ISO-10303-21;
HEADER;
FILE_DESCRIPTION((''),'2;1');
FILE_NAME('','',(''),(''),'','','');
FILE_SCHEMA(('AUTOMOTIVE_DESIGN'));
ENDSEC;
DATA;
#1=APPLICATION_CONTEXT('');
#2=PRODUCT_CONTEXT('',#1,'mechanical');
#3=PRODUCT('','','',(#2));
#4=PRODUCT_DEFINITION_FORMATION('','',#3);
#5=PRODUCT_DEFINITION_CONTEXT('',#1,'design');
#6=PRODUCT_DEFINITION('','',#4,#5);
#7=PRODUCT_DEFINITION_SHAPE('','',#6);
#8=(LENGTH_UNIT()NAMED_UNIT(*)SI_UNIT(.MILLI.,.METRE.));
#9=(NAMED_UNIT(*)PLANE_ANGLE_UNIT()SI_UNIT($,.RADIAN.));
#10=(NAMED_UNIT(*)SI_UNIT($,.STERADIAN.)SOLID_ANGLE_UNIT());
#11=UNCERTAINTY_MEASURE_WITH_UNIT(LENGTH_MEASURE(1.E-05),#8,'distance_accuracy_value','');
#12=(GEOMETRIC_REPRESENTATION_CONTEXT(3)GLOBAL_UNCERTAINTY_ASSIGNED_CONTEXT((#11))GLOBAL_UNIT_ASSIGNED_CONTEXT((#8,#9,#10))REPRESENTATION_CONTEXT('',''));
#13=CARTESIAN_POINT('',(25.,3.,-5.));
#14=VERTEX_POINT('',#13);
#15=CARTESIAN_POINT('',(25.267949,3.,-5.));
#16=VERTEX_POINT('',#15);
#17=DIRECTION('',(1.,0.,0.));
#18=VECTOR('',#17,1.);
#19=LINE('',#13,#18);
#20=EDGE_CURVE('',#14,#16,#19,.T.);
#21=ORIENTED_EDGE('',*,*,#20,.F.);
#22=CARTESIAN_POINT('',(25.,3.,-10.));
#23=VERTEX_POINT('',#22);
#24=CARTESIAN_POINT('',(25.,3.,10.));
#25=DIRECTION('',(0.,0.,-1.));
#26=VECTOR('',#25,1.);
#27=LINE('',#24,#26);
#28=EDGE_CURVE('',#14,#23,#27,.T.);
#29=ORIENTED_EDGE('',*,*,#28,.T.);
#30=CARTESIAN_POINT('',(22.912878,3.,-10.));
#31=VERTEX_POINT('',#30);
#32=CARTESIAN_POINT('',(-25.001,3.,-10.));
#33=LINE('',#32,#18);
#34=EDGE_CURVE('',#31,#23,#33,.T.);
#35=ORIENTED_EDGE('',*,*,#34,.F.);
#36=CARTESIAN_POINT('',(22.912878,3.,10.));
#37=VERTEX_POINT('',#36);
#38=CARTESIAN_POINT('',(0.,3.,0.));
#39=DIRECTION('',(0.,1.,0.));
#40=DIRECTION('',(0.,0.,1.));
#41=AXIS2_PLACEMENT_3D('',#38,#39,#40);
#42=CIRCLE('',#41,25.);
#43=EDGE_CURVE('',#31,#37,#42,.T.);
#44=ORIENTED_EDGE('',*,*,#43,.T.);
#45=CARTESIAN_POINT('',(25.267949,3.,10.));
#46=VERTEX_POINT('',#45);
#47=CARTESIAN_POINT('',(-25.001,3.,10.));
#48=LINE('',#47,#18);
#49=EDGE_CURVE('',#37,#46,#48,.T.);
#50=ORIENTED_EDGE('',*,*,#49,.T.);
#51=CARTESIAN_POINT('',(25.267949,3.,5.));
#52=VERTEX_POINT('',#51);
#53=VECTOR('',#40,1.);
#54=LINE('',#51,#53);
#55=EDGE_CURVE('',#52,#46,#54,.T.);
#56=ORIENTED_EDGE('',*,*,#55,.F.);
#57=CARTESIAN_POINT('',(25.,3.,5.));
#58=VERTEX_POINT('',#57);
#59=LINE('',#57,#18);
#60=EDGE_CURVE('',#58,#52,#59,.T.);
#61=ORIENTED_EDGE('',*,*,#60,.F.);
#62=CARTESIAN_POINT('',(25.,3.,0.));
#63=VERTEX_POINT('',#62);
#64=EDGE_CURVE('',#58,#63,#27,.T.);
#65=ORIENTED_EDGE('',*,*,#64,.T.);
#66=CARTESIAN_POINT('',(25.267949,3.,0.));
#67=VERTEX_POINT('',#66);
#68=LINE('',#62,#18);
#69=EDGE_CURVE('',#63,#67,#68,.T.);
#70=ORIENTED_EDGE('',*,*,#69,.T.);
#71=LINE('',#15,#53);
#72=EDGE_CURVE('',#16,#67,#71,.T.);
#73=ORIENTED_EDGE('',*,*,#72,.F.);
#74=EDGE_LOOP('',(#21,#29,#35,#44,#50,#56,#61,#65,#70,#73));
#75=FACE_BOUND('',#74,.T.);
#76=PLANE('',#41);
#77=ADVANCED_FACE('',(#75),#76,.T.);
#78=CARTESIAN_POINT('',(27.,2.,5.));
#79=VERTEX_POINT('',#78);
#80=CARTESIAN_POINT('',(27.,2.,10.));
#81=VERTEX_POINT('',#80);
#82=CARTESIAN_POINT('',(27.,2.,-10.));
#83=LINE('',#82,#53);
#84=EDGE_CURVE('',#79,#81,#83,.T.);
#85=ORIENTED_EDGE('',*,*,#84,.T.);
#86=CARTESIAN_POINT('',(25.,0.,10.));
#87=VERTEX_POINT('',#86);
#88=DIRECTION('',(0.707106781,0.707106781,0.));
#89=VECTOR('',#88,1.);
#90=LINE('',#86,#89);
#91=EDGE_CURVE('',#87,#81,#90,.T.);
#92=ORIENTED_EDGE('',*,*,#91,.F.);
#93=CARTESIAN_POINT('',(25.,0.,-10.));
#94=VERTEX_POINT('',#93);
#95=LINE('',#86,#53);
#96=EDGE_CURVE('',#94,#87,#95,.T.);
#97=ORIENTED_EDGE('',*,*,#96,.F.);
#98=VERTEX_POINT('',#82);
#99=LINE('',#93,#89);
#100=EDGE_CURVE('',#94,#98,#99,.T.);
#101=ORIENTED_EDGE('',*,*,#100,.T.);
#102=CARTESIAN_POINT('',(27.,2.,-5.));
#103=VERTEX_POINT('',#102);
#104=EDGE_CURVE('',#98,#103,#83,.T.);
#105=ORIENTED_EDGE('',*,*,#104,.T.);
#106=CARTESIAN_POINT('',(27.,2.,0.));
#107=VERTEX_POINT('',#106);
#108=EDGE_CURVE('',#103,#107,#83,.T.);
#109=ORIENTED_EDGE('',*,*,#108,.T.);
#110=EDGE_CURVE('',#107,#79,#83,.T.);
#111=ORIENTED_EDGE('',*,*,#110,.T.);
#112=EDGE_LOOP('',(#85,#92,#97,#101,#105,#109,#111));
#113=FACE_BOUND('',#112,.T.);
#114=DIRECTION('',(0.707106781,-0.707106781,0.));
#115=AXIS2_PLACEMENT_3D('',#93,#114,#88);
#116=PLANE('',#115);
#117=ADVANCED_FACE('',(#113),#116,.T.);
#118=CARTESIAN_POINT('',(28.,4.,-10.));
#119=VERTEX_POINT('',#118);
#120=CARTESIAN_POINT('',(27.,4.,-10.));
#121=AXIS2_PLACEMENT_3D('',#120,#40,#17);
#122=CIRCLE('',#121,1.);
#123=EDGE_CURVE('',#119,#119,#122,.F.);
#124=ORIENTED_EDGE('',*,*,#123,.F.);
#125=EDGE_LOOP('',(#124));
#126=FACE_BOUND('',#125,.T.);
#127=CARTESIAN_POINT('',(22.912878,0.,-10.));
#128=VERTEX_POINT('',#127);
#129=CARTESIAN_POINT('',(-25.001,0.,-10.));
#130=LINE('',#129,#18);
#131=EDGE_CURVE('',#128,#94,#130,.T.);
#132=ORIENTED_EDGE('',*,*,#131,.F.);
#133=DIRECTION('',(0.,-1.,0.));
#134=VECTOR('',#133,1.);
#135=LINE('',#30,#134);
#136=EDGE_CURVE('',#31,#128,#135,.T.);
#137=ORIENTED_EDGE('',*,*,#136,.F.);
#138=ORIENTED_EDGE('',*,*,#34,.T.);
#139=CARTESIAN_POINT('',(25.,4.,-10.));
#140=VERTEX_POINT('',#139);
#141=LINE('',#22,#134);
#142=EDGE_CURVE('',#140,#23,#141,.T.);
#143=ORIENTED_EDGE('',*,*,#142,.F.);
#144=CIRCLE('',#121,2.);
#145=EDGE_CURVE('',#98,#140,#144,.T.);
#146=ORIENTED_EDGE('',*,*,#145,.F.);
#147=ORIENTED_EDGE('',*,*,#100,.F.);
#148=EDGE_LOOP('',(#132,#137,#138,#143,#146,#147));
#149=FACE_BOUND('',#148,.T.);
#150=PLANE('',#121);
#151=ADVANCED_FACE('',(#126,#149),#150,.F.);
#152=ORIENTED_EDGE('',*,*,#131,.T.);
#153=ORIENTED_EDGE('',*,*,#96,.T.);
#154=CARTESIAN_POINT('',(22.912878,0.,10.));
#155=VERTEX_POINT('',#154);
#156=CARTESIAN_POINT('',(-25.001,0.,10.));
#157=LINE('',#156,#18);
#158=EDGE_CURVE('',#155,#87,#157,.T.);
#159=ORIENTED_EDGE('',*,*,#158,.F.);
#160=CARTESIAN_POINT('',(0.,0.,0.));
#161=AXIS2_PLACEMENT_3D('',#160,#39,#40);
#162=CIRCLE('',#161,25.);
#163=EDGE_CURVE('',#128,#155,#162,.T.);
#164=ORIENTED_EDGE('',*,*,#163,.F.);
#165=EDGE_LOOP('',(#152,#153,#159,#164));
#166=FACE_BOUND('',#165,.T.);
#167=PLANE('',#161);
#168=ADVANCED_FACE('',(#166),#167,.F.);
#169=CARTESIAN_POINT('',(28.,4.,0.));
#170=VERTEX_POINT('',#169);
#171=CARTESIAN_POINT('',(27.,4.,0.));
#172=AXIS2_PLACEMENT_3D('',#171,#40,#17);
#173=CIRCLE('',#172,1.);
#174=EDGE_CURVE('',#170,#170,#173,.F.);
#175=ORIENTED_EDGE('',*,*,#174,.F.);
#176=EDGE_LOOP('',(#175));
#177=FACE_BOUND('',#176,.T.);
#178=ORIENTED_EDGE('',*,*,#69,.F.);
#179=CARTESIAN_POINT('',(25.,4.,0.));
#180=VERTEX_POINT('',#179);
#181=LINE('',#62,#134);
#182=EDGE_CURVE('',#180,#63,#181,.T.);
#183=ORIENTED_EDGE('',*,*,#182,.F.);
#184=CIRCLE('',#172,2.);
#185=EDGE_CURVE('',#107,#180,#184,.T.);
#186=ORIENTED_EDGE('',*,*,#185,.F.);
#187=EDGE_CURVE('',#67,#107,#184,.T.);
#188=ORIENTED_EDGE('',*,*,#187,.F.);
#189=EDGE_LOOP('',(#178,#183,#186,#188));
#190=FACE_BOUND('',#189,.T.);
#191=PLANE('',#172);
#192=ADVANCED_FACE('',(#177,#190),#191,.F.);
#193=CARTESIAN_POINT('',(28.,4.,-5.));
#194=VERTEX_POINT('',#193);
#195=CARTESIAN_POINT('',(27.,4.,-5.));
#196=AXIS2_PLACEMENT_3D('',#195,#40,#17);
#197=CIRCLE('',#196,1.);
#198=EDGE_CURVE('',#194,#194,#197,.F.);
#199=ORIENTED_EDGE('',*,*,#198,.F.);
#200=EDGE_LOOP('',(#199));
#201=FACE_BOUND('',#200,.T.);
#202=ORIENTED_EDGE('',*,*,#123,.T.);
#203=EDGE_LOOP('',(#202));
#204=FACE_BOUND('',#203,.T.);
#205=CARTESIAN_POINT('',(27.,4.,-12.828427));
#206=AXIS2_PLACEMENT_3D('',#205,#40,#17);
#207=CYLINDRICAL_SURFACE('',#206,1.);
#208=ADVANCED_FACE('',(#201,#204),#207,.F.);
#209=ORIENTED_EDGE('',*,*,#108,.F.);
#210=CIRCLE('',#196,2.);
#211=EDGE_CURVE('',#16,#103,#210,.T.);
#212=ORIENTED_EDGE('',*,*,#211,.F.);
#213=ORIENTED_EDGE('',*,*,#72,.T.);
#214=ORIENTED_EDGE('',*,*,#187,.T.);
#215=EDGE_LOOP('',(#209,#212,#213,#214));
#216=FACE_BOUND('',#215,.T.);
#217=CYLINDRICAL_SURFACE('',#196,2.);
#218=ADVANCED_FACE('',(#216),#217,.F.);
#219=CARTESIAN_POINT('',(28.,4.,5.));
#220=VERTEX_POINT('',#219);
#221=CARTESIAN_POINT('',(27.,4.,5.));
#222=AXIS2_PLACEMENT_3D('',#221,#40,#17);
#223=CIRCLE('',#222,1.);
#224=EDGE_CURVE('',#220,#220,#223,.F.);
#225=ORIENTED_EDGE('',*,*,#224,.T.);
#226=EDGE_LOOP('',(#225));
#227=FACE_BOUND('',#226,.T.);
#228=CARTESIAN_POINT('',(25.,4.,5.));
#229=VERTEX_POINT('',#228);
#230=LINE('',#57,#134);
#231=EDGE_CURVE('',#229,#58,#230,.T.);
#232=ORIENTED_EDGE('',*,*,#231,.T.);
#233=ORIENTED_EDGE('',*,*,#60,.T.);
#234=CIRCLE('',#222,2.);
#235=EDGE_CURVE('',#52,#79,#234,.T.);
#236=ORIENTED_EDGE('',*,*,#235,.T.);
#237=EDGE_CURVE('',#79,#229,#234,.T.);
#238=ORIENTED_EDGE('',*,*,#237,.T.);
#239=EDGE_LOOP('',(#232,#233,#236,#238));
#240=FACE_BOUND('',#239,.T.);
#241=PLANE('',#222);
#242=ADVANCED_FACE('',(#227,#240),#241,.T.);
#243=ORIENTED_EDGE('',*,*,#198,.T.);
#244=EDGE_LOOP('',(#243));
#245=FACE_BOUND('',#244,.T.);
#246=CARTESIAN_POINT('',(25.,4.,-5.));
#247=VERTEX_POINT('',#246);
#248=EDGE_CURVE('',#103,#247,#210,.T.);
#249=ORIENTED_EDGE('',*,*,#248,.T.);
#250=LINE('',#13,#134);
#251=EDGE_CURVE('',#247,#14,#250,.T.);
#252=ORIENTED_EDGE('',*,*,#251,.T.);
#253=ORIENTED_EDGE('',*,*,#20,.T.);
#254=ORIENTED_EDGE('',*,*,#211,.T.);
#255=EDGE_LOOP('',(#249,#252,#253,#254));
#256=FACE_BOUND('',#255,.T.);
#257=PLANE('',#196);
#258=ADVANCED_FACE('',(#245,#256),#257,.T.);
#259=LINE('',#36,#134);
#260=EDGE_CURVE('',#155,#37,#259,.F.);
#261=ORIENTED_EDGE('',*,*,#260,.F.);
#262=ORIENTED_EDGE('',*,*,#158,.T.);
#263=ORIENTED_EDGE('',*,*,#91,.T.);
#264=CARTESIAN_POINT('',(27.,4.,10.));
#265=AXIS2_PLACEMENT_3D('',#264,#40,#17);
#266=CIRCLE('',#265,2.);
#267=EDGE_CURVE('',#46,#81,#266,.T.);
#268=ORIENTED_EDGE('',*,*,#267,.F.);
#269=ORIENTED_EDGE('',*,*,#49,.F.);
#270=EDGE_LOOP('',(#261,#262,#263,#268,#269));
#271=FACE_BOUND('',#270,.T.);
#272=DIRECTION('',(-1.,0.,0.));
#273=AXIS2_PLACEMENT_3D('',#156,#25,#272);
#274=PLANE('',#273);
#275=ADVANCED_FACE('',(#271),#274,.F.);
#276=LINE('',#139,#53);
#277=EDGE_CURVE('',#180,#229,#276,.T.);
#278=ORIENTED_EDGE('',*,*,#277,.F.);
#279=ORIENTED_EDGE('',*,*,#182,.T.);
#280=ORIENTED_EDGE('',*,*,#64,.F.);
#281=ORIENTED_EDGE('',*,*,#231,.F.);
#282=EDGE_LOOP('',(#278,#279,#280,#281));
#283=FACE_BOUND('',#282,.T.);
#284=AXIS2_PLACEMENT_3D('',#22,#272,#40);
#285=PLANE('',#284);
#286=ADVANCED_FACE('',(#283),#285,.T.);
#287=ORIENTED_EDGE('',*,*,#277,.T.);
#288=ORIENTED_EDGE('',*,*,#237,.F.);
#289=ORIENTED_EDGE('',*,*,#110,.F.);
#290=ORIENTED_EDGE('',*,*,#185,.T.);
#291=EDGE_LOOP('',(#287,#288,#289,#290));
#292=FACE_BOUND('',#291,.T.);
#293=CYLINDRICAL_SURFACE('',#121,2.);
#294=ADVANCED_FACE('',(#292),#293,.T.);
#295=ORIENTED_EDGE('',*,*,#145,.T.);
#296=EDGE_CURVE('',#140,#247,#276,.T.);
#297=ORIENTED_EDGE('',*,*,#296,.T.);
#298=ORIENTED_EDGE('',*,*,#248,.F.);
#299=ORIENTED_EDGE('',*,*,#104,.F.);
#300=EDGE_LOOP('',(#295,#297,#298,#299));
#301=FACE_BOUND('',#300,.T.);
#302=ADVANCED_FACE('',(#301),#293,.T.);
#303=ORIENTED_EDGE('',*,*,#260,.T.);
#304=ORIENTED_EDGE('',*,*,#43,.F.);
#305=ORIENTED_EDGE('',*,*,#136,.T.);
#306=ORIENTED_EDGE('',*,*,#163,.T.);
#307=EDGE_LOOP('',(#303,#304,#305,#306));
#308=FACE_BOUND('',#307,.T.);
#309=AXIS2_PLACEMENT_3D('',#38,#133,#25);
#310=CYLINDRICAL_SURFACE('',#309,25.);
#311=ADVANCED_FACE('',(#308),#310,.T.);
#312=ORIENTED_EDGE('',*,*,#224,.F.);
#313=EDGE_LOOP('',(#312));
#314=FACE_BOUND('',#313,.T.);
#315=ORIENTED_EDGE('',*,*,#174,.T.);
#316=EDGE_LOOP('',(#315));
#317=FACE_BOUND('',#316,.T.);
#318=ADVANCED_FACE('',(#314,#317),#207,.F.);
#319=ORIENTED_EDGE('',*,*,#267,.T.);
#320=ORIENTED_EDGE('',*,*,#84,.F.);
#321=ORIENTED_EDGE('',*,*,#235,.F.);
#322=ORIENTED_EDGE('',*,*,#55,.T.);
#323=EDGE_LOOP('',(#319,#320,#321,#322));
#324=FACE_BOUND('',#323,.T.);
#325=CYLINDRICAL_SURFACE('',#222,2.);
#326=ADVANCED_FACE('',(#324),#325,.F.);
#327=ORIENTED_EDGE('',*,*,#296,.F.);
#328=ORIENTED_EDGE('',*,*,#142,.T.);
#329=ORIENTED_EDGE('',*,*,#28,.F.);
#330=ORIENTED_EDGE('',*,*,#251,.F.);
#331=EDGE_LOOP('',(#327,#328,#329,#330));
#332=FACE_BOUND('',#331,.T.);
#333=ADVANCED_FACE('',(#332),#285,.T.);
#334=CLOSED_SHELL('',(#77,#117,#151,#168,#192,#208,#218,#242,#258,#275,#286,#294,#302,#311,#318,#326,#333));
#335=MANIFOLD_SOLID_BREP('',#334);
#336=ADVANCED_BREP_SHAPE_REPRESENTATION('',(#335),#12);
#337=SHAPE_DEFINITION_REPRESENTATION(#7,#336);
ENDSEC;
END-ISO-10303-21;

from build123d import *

# Parameters (mm, degrees)
SKETCH1_R                = 25
BOSS_EXTRUDE1_DEPTH      = 3
BOSS_EXTRUDE2_DEPTH      = 10
BOSS_EXTRUDE2_DEPTH_BACK = 10
BOSS_EXTRUDE3_REACH      = 58.223
BOSS_EXTRUDE3_END_RADIUS = 25
SKETCH3_W                = 20
SKETCH3_H                = 3
SKETCH6_R                = 1
CUT_EXTRUDE1_DEPTH       = 20
CUT_EXTRUDE2_START       = -5
CUT_EXTRUDE2_DEPTH       = 5
LPATTERN1_COUNT          = 2
LPATTERN1_PITCH          = 10


with BuildPart() as part:
    # Sketch1 → Boss-Extrude1 (new body)
    with BuildSketch(Plane(origin=(0, 0, 0), x_dir=(1, 0, 0), z_dir=(0, 1, 0))):
        with Locations(Location((0, 0, 0), (0, 0, 270))):
            Circle(SKETCH1_R)
    extrude(amount=BOSS_EXTRUDE1_DEPTH)



with BuildPart() as body_2:
    # Sketch2 → Boss-Extrude2 (new, two sides: drawn at the far end of the back side and taken through both)
    with BuildSketch(Plane.XY.offset(-BOSS_EXTRUDE2_DEPTH_BACK)):
        with BuildLine():
            Line((25, 3), (25, 4))
            ThreePointArc((25, 4), (28.414213562, 5.414213562), (27, 2))
            Line((27, 2), (25, 0))
            Line((25, 0), (25, 3))
        make_face()
    extrude(amount=BOSS_EXTRUDE2_DEPTH + BOSS_EXTRUDE2_DEPTH_BACK)


with BuildPart() as part_1:
    add(part.part)

    add(body_2.part)  # Boss-Extrude3 merges body 2
    # Boss-Extrude3: up to this cylinder (the profile starts outside it)
    boss_extrude3_end = Plane(origin=(0, 1.5, 0), z_dir=(0, -1, 0)) * Cylinder(BOSS_EXTRUDE3_END_RADIUS, 167.446, mode=Mode.PRIVATE)
    # Sketch3 → Boss-Extrude3 (add, up to the surface)
    with BuildSketch(Plane.ZY.offset(-25), mode=Mode.PRIVATE) as boss_extrude3_sk1:
        with Locations((0, 1.5)):
            Rectangle(SKETCH3_W, SKETCH3_H)
    boss_extrude3_tool1 = extrude(boss_extrude3_sk1.sketch, amount=BOSS_EXTRUDE3_REACH, mode=Mode.PRIVATE) - boss_extrude3_end
    add(boss_extrude3_tool1.solids().sort_by_distance((25, 1.5, 0))[0])
    add(boss_extrude3_tool1.solids().sort_by_distance((25, 1.5, 0))[1])

    # Sketch6 → Cut-Extrude1 (cut)
    with BuildSketch(Plane.XY.offset(10)):
        with Locations((27, 4)):
            Circle(SKETCH6_R)
    extrude(amount=-CUT_EXTRUDE1_DEPTH, mode=Mode.SUBTRACT)

    # Sketch7 → Cut-Extrude2 (cut)
    with BuildSketch(Plane.XY.offset(10).offset(CUT_EXTRUDE2_START)):
        with BuildLine():
            Line((25, 3), (25.267949192, 3))
            ThreePointArc((25.267949192, 3), (28.931851653, 4.51763809), (25, 4))
            Line((25, 4), (25, 3))
        make_face()
    cut_extrude2 = extrude(amount=CUT_EXTRUDE2_DEPTH, mode=Mode.SUBTRACT)

    # LPattern1: Cut-Extrude2 ×2
    with Locations(*[(0, 0, -i * LPATTERN1_PITCH) for i in range(1, LPATTERN1_COUNT)]):
        add(cut_extrude2, mode=Mode.SUBTRACT)


solid = part_1.part
